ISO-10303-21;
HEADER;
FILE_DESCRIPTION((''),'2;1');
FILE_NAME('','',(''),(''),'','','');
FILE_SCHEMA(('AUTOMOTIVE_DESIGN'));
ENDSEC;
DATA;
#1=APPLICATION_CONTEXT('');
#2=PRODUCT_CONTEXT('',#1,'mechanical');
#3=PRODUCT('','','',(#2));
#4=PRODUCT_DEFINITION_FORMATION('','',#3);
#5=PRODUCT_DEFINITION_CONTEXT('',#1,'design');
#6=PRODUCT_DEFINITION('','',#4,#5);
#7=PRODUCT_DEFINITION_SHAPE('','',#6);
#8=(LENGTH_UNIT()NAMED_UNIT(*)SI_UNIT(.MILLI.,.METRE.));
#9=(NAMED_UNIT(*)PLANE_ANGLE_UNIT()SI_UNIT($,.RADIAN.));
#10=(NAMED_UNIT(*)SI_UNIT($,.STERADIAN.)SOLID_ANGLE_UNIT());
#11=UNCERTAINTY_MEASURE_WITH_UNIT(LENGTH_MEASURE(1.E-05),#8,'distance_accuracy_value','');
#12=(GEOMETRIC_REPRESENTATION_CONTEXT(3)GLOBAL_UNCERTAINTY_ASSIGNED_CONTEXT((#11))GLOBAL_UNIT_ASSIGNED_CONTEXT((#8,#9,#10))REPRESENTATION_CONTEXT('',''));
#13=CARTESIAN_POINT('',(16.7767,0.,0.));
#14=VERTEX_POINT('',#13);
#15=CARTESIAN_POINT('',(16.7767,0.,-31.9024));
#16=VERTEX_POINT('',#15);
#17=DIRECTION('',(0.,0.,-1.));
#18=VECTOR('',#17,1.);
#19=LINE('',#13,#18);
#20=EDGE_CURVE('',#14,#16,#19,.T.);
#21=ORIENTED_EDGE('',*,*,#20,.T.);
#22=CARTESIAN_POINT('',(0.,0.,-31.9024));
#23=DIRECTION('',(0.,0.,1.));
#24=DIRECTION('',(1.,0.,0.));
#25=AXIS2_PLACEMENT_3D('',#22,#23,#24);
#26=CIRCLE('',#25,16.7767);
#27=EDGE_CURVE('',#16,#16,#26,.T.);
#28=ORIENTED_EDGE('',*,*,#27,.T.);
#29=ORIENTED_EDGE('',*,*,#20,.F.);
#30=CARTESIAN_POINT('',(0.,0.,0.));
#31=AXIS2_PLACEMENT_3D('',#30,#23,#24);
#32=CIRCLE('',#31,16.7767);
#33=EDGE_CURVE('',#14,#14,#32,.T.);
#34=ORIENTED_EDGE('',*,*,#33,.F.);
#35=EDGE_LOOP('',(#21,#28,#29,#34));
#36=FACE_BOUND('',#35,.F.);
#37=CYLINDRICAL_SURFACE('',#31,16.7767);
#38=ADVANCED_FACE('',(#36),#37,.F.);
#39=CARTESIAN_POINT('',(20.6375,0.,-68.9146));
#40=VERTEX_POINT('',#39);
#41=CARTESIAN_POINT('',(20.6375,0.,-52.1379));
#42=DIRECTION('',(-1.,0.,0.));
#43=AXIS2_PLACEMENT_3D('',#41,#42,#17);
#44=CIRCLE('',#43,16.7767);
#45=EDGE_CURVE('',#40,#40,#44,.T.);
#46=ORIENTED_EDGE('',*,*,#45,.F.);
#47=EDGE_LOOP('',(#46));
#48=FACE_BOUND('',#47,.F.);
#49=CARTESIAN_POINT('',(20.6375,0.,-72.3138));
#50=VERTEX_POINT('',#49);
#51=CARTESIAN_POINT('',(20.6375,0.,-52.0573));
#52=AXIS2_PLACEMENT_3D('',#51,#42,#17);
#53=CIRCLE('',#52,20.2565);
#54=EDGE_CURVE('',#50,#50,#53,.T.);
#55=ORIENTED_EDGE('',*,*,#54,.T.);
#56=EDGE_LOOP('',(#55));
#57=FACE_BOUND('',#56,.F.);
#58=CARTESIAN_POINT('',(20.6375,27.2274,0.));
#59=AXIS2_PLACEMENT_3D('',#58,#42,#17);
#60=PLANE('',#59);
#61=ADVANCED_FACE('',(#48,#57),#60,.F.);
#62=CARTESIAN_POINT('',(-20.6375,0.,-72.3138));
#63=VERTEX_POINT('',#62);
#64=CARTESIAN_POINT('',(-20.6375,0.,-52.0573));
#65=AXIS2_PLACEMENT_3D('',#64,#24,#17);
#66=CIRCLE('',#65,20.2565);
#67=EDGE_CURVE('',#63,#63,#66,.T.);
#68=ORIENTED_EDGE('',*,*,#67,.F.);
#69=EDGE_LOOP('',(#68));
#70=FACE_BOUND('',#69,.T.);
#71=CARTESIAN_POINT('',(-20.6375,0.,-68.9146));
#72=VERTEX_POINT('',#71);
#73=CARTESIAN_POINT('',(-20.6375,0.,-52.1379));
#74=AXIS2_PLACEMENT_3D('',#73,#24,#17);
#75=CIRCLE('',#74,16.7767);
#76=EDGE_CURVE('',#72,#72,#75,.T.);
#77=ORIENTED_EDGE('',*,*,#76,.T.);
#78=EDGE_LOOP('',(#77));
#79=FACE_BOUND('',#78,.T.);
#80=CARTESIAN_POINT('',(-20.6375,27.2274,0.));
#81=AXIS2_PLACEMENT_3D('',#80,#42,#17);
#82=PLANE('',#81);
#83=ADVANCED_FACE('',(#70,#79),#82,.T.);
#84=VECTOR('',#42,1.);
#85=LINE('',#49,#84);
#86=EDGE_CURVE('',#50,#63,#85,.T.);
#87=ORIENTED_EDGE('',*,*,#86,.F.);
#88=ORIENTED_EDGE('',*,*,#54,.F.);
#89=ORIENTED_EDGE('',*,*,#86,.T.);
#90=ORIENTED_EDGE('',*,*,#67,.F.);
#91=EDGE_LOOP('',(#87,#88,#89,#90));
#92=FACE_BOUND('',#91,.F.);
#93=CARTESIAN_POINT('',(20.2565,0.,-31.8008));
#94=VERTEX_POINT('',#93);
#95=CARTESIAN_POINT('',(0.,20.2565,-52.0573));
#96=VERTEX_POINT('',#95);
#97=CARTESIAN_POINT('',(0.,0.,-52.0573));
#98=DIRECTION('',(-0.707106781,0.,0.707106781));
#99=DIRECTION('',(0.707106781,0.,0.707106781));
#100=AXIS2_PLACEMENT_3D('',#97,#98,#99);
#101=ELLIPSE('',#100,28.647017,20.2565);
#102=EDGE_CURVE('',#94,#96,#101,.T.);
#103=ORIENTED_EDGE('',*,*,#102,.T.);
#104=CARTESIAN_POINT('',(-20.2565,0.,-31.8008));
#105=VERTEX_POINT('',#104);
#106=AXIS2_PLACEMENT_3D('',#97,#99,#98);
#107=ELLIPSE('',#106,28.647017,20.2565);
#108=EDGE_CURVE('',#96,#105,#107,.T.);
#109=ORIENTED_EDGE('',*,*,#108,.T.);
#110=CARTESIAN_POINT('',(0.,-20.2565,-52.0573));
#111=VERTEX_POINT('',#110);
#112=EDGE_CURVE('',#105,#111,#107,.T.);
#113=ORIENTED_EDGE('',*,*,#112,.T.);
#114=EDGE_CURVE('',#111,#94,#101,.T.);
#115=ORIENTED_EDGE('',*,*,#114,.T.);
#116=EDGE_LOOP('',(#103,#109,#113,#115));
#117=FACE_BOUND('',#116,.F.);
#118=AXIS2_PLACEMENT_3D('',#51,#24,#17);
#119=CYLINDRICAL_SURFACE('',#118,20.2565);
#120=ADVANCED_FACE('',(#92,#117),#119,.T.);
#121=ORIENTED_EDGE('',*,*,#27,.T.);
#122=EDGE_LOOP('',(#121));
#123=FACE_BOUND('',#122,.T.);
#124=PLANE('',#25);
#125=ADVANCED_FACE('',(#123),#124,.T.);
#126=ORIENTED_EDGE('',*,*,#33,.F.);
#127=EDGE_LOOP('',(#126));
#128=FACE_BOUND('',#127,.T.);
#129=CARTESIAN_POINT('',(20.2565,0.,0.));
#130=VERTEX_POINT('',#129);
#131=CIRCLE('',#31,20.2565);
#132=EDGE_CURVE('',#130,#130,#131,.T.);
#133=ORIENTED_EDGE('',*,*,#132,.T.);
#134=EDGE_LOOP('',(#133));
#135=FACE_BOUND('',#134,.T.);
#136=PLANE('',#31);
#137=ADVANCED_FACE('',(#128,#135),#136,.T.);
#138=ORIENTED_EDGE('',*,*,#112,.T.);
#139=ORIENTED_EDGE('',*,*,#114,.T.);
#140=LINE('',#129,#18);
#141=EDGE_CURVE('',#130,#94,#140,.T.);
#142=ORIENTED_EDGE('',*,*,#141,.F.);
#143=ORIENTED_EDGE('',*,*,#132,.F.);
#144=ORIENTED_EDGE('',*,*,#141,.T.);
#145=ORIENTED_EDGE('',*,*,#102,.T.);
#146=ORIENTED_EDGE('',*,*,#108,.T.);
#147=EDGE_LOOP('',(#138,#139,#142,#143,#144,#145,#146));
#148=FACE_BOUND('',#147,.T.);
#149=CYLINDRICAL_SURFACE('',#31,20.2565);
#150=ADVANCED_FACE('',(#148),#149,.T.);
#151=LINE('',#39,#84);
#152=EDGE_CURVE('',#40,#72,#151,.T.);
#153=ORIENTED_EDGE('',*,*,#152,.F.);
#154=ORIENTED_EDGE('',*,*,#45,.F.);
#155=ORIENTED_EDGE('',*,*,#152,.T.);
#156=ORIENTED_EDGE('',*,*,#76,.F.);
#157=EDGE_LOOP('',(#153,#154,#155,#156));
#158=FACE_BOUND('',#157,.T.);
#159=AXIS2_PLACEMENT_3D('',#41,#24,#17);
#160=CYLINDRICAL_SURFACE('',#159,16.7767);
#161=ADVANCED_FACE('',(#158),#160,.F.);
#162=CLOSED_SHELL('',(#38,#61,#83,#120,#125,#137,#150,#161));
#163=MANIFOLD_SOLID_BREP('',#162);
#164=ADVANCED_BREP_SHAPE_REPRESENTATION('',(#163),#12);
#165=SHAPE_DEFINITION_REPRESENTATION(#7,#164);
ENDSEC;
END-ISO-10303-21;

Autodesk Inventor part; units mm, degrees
ref_plane "YZ Plane" through (0, 0, 0) normal (1, 0, 0) x (0, 1, 0)
ref_plane "XZ Plane" through (0, 0, 0) normal (0, 1, 0) x (-1, 0, 0)
sketch "Sketch1" plane through (0, 0, 0) normal (0, 0, 1) x (1, 0, 0)
  circle A0 centre (0, 0) radius 20.2565
  dimension "d1" = 40.513
sketch "Sketch2" plane through (0, 0, 0) normal (1, 0, 0) x (0, 1, 0)
  line L0 (0, 0) -> (27.2274, 0)
  line L1 (27.2274, 0) -> (27.2274, -51.0956)
  line L2 (27.2274, -51.0956) -> (0, -51.0956)
  line L3 (0, -51.0956) -> (0, 0)
ref_plane "Work Plane2" through (20.6375, 27.2274, 0) normal (-1, 0, 0) x (0, 0, -1)
ref_plane "Work Plane1" through (0, 27.2274, 0) normal (-1, 0, 0) x (0, 0, -1)
extrude "Extrusion1" add sketch "Sketch1" against normal blind 52.0573
sketch "Sketch3" plane through (0, 0, 0) normal (0, 0, 1) x (1, 0, 0)
  circle A0 centre (0, 0) radius 16.7767
  dimension "d5" = 33.5534
sketch "Sketch4" plane through (20.6375, 27.2274, 0) normal (-1, 0, 0) x (0, 0, -1)
  line L0 (52.0573, 6.9709) -> (52.0573, 47.4839) projected
  circle A0 centre (52.0573, 27.2274) radius 20.2565
  point P0 (0, 27.2274)
sketch "Sketch5" plane through (20.6375, 27.2274, 0) normal (-1, 0, 0) x (0, 0, -1)
  circle A0 centre (52.1379, 27.2274) radius 16.7767
  point P0 (0, 27.2274)
  dimension "d10" = 33.5534
extrude "Extrusion2" add sketch "Sketch4" along normal blind 41.275
extrude "Extrusion3" cut sketch "Sketch5" along normal through all
extrude "Extrusion4" cut sketch "Sketch3" against normal blind 31.9024
properties part number "Slip Tee 1 Inch"
